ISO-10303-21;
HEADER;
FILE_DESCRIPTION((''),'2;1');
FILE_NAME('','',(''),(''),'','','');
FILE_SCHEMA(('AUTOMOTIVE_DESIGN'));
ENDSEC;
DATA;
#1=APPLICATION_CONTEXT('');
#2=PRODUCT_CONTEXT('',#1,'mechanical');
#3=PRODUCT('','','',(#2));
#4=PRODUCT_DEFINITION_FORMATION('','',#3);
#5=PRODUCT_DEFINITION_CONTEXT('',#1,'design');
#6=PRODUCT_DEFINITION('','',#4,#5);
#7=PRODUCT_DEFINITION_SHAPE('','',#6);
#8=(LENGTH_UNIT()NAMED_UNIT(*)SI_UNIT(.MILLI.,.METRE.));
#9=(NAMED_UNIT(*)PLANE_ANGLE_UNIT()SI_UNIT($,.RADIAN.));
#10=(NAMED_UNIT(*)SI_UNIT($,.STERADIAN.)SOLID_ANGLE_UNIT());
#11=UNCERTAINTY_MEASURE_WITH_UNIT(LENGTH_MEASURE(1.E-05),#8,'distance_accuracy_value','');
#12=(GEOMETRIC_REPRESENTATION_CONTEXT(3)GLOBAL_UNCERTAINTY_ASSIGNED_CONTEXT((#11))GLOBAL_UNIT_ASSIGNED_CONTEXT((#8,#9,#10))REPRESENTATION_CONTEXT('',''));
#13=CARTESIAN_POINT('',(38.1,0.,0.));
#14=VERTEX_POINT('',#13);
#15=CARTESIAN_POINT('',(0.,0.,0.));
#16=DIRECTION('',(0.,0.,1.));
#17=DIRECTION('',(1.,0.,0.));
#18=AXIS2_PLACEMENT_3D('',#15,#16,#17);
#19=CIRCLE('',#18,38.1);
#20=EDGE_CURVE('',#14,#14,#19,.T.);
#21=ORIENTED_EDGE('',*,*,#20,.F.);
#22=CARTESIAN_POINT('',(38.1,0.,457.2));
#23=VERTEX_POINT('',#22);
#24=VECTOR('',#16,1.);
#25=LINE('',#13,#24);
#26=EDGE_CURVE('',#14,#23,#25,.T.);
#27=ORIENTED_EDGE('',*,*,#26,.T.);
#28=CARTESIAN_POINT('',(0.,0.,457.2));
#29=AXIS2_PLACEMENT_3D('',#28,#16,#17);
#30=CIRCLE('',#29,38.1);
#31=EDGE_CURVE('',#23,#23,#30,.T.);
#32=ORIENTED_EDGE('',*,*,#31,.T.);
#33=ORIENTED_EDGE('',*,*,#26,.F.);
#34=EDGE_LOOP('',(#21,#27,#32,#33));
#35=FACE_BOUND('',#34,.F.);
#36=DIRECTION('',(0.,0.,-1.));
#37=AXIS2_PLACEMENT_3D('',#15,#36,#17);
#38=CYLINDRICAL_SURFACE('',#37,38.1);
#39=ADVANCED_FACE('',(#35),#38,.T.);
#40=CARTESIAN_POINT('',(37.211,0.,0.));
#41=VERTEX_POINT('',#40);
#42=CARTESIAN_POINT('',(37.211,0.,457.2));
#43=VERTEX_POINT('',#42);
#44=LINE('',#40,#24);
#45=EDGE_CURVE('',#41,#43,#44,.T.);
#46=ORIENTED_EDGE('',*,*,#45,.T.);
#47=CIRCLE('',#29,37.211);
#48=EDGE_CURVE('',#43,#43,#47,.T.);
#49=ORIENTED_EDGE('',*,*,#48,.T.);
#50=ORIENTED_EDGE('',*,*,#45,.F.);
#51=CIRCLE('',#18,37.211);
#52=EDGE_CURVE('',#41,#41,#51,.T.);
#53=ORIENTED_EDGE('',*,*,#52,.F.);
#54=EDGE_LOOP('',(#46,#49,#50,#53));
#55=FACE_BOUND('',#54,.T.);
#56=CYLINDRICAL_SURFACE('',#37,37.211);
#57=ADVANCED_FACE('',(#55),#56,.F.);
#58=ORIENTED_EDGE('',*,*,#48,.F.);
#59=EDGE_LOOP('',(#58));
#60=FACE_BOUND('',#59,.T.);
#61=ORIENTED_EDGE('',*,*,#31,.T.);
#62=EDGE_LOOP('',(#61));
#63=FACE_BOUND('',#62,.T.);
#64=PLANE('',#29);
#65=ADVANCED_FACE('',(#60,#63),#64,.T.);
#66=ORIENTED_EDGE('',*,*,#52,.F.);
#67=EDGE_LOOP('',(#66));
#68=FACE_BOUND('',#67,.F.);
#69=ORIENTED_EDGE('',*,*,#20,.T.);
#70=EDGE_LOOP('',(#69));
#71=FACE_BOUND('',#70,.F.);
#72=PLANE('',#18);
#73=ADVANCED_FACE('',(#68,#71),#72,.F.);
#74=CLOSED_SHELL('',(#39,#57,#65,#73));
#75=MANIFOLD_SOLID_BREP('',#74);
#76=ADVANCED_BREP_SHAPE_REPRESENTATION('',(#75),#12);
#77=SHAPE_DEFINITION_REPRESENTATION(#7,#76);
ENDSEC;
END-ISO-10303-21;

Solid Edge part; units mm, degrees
sketch "Sketch1" plane through (0, 0, 0) normal (0, 0, 1) x (1, 0, 0)
  circle A0 centre (0, 0) radius 38.1
  circle A1 centre (0, 0) radius 37.211
  dimension "D1" = 76.2
  dimension "D2" = 74.422
extrude "Protrusion1" add sketch "Sketch1" along normal blind 457.2
